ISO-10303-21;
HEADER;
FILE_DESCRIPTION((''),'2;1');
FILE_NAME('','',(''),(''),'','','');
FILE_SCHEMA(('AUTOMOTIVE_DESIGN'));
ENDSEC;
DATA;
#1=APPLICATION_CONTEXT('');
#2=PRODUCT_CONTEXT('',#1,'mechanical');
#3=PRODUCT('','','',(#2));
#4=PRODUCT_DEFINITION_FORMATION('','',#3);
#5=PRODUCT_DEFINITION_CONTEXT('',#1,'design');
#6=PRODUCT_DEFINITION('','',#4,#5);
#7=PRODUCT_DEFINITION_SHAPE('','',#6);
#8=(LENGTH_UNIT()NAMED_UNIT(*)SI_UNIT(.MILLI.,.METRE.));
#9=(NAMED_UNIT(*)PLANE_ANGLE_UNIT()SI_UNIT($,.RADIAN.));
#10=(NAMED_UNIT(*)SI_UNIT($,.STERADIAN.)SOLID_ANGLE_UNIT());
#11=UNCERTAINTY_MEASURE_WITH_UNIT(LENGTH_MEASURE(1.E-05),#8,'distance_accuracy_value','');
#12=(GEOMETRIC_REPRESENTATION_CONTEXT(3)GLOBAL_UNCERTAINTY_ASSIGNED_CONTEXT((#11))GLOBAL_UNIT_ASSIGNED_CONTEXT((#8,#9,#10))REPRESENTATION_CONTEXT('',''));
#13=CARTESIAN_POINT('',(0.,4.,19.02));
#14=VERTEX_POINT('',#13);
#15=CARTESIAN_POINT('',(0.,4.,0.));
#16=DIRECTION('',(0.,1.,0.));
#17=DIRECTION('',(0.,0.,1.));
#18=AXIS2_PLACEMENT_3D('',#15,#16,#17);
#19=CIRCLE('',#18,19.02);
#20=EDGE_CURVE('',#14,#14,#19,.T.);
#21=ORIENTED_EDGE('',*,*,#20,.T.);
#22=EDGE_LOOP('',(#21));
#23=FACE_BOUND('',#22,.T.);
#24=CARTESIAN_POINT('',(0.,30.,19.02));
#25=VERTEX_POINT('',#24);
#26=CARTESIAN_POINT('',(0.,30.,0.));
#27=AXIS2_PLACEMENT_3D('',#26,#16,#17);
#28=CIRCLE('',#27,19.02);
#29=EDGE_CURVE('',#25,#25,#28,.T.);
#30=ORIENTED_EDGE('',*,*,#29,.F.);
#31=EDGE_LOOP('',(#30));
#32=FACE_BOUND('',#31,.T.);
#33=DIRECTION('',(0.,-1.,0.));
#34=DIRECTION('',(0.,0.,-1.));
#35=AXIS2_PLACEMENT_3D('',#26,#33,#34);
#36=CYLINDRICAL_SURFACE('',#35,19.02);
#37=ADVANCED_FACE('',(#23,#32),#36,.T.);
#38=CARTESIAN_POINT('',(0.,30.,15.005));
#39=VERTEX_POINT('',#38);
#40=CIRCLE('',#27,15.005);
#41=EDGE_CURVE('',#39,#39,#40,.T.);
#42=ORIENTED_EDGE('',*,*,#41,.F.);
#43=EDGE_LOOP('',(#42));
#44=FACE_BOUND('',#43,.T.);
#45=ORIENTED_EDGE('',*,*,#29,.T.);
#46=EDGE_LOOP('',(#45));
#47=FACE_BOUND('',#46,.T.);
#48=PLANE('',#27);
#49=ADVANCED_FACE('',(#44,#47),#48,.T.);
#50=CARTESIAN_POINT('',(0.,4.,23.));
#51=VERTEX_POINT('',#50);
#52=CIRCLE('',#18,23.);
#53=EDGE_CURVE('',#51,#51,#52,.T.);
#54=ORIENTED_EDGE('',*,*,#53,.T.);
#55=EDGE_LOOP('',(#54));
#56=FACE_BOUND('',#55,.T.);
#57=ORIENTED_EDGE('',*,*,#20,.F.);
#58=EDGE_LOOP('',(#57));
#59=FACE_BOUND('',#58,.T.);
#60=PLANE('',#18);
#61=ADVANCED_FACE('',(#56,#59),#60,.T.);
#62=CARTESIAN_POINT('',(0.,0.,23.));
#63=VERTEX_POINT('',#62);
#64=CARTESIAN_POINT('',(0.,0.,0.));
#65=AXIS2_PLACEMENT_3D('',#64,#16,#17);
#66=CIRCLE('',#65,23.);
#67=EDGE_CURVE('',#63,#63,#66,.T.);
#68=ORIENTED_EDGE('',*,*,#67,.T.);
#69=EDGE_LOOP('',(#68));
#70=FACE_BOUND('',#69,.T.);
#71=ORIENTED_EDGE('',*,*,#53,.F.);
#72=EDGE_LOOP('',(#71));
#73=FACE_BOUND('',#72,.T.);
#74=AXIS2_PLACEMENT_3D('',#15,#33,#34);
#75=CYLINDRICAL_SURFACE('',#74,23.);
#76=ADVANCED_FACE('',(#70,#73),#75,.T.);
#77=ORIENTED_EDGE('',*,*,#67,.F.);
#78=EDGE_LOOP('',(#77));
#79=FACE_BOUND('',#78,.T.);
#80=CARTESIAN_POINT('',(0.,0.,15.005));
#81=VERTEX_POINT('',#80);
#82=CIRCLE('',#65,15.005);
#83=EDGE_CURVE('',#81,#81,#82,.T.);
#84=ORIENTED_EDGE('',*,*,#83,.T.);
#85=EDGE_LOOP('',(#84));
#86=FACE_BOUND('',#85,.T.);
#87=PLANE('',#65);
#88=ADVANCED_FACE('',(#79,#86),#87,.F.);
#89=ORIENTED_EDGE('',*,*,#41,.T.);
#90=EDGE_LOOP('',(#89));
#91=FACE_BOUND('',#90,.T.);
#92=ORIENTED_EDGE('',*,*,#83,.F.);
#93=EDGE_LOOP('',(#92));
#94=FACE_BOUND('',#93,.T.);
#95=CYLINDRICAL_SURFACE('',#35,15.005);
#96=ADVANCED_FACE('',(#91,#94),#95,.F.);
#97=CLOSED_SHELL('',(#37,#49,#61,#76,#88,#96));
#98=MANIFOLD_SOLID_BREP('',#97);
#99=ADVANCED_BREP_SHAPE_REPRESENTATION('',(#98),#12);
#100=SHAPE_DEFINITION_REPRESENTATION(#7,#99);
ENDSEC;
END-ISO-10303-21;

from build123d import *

# Parameters (mm, degrees)
SKETCH2_R           = 19.02
SKETCH2_R_2         = 15.005
BOSS_EXTRUDE1_DEPTH = 30
SKETCH3_R           = 23
SKETCH3_R_2         = 19.02
BOSS_EXTRUDE2_DEPTH = 4


with BuildPart() as part:
    # Sketch2 → Boss-Extrude1 (new body)
    with BuildSketch(Plane(origin=(0, 0, 0), x_dir=(1, 0, 0), z_dir=(0, 1, 0))):
        with Locations(Location((0, 0, 0), (0, 0, 270))):
            Circle(SKETCH2_R)
        with Locations(Location((0, 0, 0), (0, 0, 270))):
            Circle(SKETCH2_R_2, mode=Mode.SUBTRACT)
    extrude(amount=BOSS_EXTRUDE1_DEPTH)

    # Sketch3 → Boss-Extrude2 (add)
    with BuildSketch(Plane(origin=(0, 0, 0), x_dir=(1, 0, 0), z_dir=(0, 1, 0))):
        with Locations(Location((0, 0, 0), (0, 0, 270))):
            Circle(SKETCH3_R)
        with Locations(Location((0, 0, 0), (0, 0, 270))):
            Circle(SKETCH3_R_2, mode=Mode.SUBTRACT)
    extrude(amount=BOSS_EXTRUDE2_DEPTH)


solid = part.part
